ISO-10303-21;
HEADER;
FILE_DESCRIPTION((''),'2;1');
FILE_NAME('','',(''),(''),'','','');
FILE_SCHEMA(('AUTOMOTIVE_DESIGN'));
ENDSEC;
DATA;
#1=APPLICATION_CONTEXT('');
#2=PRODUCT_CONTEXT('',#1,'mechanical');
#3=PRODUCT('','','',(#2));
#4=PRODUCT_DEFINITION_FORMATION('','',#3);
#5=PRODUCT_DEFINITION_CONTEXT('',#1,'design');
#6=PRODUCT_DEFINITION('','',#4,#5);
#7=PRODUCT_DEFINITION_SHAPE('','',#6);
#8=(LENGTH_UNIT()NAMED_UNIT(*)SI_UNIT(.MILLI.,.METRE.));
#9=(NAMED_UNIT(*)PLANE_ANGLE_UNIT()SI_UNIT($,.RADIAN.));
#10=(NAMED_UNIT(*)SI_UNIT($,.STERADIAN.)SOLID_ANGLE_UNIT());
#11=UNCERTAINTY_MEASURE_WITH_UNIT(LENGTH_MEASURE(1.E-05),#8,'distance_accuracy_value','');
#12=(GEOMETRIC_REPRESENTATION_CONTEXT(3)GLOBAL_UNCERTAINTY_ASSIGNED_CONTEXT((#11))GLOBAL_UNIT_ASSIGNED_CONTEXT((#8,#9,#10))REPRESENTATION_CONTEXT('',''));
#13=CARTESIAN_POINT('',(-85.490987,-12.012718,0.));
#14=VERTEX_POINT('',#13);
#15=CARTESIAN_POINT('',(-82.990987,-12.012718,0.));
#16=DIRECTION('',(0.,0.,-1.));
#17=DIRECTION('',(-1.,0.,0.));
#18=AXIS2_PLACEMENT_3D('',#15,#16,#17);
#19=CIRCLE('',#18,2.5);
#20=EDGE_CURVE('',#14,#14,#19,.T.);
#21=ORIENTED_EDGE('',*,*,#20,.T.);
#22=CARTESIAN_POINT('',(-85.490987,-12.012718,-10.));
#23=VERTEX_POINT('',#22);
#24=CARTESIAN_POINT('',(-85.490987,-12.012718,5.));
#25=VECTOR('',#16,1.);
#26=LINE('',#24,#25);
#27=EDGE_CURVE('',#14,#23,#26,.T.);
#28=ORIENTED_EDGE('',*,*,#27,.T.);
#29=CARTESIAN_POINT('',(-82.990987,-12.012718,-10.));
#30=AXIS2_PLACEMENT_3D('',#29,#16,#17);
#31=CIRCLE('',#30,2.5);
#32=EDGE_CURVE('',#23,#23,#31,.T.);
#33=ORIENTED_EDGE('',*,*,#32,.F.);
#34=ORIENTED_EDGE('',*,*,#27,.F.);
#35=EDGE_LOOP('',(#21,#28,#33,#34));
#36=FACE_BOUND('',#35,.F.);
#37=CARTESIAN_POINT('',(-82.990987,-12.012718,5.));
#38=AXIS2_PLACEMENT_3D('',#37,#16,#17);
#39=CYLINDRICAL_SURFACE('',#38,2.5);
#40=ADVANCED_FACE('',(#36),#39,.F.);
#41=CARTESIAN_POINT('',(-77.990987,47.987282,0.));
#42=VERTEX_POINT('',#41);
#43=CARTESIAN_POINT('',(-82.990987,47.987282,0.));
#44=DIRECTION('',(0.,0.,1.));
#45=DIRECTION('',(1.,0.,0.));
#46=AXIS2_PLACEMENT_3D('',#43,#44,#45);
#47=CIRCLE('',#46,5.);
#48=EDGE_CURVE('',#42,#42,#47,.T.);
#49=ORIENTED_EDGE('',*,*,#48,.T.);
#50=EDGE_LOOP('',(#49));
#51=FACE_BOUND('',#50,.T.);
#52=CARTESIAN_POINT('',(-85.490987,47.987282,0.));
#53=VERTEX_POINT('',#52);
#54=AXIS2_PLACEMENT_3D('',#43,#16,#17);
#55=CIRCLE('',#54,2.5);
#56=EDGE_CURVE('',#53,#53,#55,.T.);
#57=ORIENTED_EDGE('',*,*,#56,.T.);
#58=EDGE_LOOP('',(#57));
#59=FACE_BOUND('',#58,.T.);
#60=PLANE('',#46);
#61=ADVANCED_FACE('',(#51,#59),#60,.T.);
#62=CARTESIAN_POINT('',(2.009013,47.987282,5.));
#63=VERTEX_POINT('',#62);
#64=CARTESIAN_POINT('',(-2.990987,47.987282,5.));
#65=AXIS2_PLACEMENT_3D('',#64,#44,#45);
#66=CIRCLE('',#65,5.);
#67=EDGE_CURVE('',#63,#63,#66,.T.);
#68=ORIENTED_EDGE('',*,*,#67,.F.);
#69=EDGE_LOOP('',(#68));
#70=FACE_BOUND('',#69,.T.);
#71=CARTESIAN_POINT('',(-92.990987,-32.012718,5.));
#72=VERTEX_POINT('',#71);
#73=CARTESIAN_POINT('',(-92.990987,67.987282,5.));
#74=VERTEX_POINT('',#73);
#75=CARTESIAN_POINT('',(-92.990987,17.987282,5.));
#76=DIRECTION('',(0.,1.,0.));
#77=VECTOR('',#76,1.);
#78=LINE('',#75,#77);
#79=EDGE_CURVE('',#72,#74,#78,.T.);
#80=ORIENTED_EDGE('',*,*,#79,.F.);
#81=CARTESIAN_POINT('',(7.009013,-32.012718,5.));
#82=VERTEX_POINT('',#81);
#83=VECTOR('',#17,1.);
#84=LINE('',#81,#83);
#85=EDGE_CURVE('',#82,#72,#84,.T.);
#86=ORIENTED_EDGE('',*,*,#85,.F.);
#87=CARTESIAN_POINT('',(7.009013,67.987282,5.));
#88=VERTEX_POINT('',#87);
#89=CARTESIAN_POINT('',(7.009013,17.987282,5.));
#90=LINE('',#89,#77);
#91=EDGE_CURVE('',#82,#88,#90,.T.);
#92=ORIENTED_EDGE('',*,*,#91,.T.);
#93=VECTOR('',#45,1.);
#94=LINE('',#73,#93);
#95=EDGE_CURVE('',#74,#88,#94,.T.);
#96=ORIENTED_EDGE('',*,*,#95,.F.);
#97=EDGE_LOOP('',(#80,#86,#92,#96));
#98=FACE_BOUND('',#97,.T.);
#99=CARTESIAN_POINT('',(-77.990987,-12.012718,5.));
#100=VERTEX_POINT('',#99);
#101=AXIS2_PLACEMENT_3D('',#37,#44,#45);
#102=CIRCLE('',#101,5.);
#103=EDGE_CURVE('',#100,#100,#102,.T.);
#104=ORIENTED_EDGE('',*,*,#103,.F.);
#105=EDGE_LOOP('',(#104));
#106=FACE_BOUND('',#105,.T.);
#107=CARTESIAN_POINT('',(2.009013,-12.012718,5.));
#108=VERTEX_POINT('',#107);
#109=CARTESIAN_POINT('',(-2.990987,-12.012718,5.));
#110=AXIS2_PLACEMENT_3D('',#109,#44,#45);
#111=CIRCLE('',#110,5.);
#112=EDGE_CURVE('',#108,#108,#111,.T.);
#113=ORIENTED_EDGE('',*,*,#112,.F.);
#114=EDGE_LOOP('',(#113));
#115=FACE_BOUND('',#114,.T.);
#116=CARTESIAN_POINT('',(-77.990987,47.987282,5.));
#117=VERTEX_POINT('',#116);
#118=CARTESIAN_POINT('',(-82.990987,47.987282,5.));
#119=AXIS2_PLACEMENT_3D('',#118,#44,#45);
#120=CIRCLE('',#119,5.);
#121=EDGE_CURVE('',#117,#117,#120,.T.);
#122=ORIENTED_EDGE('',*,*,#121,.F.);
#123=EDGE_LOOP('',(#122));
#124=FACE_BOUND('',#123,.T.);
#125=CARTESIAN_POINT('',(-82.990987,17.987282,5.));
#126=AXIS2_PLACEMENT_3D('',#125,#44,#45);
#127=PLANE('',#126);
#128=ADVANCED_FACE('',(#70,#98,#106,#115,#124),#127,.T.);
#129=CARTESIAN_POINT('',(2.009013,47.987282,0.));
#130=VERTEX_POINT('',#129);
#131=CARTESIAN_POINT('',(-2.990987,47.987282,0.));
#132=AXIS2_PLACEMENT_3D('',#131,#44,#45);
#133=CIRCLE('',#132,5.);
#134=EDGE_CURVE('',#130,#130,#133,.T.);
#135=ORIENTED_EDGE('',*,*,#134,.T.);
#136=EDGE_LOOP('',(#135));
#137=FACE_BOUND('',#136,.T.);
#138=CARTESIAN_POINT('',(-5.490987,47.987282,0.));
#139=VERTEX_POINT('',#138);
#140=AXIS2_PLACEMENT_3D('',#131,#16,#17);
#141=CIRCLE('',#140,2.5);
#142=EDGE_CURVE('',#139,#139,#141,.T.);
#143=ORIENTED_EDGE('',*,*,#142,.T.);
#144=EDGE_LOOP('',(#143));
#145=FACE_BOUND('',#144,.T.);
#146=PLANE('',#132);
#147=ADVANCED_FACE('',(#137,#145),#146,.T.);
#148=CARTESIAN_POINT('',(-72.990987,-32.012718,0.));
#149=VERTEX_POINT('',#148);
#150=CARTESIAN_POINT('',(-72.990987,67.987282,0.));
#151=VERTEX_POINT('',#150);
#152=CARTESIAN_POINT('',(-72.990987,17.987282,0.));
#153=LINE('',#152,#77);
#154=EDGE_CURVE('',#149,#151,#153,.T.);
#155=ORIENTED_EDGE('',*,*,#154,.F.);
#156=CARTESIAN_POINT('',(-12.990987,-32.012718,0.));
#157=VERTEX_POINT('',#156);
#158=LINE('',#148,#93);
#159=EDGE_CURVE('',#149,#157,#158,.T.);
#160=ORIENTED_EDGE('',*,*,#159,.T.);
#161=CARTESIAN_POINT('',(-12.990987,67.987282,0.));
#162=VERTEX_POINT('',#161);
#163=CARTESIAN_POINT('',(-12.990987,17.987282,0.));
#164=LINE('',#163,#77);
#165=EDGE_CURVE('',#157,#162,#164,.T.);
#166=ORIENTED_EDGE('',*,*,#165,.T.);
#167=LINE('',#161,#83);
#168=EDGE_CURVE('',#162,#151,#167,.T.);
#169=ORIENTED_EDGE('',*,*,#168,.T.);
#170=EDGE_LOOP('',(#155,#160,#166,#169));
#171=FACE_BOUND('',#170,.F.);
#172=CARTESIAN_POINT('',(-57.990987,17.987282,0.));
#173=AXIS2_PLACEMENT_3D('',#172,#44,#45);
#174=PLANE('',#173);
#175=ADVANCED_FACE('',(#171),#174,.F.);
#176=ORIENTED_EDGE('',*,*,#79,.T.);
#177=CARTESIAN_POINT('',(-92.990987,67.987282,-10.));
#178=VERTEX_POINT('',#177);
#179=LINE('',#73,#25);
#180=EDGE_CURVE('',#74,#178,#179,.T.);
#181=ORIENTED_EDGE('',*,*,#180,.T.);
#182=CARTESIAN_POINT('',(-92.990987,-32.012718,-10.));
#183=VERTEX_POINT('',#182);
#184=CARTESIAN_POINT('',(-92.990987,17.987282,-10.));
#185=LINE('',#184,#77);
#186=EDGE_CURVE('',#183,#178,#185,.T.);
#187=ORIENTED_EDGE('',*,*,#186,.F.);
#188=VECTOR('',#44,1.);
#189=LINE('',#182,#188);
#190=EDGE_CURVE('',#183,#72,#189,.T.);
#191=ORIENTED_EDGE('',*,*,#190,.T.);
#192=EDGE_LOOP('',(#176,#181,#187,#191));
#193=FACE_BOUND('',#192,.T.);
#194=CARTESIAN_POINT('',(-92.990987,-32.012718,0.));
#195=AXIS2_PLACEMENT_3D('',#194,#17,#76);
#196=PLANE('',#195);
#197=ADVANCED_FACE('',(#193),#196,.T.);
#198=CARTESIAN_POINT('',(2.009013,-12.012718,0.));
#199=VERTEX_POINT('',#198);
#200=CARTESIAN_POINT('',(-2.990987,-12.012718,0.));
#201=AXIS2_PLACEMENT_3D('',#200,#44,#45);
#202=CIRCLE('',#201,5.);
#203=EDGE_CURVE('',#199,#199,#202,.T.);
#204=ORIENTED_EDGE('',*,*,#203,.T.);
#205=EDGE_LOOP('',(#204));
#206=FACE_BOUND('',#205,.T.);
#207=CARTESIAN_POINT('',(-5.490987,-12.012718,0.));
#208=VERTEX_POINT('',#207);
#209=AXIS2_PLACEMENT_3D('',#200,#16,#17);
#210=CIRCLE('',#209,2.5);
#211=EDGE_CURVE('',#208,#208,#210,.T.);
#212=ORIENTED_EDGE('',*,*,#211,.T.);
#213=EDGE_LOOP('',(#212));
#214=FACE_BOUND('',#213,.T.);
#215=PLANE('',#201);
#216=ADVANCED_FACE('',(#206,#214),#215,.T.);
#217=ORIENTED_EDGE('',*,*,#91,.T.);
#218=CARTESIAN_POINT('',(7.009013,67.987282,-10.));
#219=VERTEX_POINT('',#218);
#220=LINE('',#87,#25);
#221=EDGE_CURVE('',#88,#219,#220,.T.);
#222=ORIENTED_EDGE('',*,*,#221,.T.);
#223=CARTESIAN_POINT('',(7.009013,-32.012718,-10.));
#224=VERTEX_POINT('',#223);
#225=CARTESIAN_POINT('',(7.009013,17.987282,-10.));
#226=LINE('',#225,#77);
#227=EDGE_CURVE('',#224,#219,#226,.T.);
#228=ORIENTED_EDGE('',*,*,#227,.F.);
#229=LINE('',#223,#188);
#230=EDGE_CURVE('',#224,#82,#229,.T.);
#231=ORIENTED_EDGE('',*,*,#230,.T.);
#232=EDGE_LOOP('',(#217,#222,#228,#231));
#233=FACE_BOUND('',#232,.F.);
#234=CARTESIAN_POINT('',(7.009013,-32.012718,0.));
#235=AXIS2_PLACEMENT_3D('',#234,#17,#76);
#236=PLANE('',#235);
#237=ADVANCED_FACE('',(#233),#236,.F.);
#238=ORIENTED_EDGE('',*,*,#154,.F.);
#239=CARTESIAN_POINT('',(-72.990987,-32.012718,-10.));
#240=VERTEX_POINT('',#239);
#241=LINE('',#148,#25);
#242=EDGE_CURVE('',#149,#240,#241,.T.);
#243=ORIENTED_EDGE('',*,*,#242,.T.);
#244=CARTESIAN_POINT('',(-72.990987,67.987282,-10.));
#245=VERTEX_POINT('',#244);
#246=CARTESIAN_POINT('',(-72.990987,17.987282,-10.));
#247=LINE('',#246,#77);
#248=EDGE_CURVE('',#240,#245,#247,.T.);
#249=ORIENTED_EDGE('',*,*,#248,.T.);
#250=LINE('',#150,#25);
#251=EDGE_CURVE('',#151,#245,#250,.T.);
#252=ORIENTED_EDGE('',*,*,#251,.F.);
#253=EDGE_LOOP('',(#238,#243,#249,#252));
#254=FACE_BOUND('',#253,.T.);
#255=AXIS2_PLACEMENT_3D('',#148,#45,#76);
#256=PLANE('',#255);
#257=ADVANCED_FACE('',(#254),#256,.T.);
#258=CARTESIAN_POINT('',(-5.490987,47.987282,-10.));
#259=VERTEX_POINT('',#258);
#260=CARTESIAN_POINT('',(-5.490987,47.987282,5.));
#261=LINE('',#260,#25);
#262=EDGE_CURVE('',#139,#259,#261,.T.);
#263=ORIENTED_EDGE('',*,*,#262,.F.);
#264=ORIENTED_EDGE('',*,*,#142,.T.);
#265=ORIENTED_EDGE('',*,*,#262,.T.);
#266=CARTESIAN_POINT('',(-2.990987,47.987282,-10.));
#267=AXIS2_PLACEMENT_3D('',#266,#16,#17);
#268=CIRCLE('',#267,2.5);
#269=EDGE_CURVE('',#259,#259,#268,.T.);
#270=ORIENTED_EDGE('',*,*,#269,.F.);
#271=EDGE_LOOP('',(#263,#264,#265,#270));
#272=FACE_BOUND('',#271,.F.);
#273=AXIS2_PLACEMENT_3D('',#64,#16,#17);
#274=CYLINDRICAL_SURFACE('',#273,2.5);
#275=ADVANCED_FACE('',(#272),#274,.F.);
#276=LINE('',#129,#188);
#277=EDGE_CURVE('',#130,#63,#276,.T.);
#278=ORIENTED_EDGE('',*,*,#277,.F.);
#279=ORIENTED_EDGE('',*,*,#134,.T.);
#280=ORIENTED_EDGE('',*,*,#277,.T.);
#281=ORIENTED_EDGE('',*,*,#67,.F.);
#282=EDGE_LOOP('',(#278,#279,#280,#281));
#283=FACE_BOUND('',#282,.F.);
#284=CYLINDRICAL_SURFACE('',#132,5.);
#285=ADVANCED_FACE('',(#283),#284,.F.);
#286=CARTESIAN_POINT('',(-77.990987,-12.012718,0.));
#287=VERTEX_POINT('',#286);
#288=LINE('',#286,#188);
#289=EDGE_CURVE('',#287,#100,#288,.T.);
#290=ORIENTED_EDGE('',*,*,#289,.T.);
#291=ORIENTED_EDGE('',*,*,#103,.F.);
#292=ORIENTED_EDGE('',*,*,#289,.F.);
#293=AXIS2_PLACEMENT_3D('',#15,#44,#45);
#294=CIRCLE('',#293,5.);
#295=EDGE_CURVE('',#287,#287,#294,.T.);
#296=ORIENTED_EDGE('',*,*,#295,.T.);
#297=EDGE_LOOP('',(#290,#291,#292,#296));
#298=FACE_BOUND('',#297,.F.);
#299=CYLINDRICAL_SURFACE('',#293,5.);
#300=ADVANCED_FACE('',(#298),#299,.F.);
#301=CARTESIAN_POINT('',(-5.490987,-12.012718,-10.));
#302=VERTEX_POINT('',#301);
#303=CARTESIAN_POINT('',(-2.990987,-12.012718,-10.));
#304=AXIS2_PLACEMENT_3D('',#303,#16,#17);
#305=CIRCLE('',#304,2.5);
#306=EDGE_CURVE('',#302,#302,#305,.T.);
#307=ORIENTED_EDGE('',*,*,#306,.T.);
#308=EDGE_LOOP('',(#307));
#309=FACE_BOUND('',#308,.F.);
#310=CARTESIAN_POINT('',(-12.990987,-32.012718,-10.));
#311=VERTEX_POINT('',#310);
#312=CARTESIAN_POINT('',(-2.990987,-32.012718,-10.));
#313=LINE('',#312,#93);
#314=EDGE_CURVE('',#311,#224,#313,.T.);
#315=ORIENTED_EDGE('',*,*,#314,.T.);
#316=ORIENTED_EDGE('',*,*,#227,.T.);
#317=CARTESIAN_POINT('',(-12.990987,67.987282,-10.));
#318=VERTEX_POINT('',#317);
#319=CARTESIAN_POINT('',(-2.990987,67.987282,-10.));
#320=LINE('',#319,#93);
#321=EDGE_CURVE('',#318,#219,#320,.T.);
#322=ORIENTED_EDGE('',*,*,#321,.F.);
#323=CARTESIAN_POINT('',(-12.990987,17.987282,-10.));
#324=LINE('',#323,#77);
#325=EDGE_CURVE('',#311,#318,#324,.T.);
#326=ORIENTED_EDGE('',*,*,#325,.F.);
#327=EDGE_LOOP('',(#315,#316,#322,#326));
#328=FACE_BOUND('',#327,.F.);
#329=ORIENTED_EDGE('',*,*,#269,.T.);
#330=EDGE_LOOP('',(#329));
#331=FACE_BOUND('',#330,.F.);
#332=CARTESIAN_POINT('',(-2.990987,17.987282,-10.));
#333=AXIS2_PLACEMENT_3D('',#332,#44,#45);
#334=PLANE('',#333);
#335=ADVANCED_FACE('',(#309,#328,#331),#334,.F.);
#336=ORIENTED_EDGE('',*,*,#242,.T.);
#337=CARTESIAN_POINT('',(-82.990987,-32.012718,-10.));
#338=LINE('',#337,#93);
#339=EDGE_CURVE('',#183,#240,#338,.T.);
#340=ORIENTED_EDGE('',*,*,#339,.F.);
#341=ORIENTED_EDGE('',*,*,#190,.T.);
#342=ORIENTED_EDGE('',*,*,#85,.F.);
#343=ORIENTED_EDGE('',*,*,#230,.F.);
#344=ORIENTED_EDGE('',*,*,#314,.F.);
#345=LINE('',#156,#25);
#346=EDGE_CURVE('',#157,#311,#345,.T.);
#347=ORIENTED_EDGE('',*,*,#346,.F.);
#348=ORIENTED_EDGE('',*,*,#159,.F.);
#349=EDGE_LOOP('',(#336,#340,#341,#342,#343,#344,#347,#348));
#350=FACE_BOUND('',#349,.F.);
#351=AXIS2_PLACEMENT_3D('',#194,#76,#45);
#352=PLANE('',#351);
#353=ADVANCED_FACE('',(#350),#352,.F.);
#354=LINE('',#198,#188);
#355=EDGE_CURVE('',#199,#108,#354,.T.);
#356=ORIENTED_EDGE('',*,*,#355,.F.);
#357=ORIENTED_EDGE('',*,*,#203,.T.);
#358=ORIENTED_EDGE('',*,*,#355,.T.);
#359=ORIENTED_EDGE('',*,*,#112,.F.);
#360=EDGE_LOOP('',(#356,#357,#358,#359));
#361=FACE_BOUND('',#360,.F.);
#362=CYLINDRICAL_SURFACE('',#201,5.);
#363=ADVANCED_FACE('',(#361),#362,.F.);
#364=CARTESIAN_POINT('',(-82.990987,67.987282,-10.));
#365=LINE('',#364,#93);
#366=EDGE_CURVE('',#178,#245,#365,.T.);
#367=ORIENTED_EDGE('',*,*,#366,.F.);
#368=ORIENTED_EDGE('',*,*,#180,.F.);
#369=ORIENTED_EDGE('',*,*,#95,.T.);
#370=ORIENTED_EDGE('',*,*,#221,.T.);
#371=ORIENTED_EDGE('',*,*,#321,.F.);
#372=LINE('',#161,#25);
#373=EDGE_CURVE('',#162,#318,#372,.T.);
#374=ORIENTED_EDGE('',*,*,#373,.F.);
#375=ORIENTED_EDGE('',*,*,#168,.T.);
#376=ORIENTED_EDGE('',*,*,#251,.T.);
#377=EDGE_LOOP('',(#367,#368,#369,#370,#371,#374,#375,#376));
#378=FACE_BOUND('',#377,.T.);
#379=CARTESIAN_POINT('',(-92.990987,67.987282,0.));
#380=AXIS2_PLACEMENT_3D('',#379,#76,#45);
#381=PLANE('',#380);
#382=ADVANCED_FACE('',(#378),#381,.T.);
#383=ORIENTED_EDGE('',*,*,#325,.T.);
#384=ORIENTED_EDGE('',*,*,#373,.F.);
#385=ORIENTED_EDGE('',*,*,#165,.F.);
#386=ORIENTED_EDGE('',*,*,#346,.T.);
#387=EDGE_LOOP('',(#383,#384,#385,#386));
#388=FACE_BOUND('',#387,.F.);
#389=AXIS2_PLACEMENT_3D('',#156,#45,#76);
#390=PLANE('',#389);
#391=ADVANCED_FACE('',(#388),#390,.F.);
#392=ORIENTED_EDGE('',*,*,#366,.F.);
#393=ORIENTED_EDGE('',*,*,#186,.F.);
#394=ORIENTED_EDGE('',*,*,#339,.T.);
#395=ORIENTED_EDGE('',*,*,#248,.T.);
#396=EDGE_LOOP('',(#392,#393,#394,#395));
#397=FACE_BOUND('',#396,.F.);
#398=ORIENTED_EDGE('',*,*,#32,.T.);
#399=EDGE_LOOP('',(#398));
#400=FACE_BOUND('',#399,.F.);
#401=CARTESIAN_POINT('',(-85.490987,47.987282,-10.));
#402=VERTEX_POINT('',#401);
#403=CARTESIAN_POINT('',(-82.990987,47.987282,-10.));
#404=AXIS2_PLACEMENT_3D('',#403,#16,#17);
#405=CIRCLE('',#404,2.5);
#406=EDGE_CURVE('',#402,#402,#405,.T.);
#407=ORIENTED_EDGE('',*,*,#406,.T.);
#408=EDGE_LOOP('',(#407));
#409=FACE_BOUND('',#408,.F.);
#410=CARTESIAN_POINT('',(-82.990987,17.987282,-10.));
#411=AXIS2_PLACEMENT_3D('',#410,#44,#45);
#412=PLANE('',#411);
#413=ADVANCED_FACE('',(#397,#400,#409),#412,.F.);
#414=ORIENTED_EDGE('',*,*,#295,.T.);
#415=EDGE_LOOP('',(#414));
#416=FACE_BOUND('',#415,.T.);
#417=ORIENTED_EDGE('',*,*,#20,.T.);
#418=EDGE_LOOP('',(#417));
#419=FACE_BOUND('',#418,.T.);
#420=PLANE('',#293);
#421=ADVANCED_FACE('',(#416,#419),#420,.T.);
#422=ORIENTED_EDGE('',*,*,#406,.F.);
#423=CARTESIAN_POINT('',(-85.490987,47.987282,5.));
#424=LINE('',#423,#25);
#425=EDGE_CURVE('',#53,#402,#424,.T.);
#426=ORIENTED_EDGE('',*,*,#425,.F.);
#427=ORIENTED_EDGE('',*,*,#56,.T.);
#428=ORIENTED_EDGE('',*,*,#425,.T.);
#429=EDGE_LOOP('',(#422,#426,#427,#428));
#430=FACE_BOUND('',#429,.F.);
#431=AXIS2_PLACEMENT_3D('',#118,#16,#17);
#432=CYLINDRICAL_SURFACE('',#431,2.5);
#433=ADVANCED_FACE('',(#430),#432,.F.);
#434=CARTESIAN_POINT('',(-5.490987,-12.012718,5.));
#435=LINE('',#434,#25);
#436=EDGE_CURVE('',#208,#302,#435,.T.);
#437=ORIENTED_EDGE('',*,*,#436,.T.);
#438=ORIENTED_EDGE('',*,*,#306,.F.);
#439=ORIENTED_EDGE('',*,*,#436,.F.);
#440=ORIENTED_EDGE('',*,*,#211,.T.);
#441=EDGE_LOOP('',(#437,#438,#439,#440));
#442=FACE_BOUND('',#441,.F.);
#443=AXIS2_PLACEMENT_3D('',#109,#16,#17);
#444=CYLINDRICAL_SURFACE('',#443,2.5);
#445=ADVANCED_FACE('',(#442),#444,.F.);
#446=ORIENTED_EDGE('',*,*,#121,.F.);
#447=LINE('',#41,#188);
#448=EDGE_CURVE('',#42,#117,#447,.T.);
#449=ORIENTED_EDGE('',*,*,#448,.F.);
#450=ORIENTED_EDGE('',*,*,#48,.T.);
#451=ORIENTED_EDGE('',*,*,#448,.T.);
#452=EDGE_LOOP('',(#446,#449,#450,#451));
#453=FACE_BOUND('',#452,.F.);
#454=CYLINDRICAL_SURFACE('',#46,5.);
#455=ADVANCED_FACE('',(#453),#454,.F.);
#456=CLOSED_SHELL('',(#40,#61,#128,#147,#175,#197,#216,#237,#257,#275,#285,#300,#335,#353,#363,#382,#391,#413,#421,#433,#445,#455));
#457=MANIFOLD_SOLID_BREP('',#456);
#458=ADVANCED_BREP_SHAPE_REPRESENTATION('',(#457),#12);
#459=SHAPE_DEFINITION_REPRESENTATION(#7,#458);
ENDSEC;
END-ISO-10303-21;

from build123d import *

# Parameters (mm, degrees)
F0_W           = 30
F0_H           = 100
F1_DEPTH       = 5
F0_W_2         = 20
F2_DEPTH       = 10
F2_DEPTH_BACK  = 5
F4_D           = 5
F4_DEPTH       = 30
F4_CBORE_D     = 10
F4_CBORE_DEPTH = 5
F4_TIP         = 1.5021515476


with BuildPart() as f1:
    # F0 (on Top) → F1 (new body)
    with BuildSketch(Plane.XY):
        with Locations((-57.9909870028, 17.9872823166)):
            Rectangle(F0_W, F0_H)
        with Locations((-27.9909870028, 17.9872823166)):
            Rectangle(F0_W, F0_H)
    extrude(amount=F1_DEPTH)

    # F0 (on Top) → F2 (join, two sides)
    with BuildSketch(Plane.XY) as f2_sk:
        with Locations((-82.9909870028, 17.9872823166)):
            Rectangle(F0_W_2, F0_H)
        with Locations((-2.9909870028, 17.9872823166)):
            Rectangle(F0_W_2, F0_H)
    extrude(amount=-F2_DEPTH)
    extrude(f2_sk.sketch, amount=F2_DEPTH_BACK)

    # F4
    with Locations(Plane.XY.offset(5)):
        with Locations((-82.9909870028, -12.0127176834), (-82.9909870028, 47.9872823166), (-2.9909870028, 47.9872823166), (-2.9909870028, -12.0127176834)):
            CounterBoreHole(F4_D / 2, F4_CBORE_D / 2, F4_CBORE_DEPTH, depth=F4_DEPTH)
            with Locations((0, 0, -(F4_DEPTH + F4_TIP / 2))):  # 118° drill point
                Cone(0, F4_D / 2, F4_TIP, mode=Mode.SUBTRACT)


solid = f1.part
